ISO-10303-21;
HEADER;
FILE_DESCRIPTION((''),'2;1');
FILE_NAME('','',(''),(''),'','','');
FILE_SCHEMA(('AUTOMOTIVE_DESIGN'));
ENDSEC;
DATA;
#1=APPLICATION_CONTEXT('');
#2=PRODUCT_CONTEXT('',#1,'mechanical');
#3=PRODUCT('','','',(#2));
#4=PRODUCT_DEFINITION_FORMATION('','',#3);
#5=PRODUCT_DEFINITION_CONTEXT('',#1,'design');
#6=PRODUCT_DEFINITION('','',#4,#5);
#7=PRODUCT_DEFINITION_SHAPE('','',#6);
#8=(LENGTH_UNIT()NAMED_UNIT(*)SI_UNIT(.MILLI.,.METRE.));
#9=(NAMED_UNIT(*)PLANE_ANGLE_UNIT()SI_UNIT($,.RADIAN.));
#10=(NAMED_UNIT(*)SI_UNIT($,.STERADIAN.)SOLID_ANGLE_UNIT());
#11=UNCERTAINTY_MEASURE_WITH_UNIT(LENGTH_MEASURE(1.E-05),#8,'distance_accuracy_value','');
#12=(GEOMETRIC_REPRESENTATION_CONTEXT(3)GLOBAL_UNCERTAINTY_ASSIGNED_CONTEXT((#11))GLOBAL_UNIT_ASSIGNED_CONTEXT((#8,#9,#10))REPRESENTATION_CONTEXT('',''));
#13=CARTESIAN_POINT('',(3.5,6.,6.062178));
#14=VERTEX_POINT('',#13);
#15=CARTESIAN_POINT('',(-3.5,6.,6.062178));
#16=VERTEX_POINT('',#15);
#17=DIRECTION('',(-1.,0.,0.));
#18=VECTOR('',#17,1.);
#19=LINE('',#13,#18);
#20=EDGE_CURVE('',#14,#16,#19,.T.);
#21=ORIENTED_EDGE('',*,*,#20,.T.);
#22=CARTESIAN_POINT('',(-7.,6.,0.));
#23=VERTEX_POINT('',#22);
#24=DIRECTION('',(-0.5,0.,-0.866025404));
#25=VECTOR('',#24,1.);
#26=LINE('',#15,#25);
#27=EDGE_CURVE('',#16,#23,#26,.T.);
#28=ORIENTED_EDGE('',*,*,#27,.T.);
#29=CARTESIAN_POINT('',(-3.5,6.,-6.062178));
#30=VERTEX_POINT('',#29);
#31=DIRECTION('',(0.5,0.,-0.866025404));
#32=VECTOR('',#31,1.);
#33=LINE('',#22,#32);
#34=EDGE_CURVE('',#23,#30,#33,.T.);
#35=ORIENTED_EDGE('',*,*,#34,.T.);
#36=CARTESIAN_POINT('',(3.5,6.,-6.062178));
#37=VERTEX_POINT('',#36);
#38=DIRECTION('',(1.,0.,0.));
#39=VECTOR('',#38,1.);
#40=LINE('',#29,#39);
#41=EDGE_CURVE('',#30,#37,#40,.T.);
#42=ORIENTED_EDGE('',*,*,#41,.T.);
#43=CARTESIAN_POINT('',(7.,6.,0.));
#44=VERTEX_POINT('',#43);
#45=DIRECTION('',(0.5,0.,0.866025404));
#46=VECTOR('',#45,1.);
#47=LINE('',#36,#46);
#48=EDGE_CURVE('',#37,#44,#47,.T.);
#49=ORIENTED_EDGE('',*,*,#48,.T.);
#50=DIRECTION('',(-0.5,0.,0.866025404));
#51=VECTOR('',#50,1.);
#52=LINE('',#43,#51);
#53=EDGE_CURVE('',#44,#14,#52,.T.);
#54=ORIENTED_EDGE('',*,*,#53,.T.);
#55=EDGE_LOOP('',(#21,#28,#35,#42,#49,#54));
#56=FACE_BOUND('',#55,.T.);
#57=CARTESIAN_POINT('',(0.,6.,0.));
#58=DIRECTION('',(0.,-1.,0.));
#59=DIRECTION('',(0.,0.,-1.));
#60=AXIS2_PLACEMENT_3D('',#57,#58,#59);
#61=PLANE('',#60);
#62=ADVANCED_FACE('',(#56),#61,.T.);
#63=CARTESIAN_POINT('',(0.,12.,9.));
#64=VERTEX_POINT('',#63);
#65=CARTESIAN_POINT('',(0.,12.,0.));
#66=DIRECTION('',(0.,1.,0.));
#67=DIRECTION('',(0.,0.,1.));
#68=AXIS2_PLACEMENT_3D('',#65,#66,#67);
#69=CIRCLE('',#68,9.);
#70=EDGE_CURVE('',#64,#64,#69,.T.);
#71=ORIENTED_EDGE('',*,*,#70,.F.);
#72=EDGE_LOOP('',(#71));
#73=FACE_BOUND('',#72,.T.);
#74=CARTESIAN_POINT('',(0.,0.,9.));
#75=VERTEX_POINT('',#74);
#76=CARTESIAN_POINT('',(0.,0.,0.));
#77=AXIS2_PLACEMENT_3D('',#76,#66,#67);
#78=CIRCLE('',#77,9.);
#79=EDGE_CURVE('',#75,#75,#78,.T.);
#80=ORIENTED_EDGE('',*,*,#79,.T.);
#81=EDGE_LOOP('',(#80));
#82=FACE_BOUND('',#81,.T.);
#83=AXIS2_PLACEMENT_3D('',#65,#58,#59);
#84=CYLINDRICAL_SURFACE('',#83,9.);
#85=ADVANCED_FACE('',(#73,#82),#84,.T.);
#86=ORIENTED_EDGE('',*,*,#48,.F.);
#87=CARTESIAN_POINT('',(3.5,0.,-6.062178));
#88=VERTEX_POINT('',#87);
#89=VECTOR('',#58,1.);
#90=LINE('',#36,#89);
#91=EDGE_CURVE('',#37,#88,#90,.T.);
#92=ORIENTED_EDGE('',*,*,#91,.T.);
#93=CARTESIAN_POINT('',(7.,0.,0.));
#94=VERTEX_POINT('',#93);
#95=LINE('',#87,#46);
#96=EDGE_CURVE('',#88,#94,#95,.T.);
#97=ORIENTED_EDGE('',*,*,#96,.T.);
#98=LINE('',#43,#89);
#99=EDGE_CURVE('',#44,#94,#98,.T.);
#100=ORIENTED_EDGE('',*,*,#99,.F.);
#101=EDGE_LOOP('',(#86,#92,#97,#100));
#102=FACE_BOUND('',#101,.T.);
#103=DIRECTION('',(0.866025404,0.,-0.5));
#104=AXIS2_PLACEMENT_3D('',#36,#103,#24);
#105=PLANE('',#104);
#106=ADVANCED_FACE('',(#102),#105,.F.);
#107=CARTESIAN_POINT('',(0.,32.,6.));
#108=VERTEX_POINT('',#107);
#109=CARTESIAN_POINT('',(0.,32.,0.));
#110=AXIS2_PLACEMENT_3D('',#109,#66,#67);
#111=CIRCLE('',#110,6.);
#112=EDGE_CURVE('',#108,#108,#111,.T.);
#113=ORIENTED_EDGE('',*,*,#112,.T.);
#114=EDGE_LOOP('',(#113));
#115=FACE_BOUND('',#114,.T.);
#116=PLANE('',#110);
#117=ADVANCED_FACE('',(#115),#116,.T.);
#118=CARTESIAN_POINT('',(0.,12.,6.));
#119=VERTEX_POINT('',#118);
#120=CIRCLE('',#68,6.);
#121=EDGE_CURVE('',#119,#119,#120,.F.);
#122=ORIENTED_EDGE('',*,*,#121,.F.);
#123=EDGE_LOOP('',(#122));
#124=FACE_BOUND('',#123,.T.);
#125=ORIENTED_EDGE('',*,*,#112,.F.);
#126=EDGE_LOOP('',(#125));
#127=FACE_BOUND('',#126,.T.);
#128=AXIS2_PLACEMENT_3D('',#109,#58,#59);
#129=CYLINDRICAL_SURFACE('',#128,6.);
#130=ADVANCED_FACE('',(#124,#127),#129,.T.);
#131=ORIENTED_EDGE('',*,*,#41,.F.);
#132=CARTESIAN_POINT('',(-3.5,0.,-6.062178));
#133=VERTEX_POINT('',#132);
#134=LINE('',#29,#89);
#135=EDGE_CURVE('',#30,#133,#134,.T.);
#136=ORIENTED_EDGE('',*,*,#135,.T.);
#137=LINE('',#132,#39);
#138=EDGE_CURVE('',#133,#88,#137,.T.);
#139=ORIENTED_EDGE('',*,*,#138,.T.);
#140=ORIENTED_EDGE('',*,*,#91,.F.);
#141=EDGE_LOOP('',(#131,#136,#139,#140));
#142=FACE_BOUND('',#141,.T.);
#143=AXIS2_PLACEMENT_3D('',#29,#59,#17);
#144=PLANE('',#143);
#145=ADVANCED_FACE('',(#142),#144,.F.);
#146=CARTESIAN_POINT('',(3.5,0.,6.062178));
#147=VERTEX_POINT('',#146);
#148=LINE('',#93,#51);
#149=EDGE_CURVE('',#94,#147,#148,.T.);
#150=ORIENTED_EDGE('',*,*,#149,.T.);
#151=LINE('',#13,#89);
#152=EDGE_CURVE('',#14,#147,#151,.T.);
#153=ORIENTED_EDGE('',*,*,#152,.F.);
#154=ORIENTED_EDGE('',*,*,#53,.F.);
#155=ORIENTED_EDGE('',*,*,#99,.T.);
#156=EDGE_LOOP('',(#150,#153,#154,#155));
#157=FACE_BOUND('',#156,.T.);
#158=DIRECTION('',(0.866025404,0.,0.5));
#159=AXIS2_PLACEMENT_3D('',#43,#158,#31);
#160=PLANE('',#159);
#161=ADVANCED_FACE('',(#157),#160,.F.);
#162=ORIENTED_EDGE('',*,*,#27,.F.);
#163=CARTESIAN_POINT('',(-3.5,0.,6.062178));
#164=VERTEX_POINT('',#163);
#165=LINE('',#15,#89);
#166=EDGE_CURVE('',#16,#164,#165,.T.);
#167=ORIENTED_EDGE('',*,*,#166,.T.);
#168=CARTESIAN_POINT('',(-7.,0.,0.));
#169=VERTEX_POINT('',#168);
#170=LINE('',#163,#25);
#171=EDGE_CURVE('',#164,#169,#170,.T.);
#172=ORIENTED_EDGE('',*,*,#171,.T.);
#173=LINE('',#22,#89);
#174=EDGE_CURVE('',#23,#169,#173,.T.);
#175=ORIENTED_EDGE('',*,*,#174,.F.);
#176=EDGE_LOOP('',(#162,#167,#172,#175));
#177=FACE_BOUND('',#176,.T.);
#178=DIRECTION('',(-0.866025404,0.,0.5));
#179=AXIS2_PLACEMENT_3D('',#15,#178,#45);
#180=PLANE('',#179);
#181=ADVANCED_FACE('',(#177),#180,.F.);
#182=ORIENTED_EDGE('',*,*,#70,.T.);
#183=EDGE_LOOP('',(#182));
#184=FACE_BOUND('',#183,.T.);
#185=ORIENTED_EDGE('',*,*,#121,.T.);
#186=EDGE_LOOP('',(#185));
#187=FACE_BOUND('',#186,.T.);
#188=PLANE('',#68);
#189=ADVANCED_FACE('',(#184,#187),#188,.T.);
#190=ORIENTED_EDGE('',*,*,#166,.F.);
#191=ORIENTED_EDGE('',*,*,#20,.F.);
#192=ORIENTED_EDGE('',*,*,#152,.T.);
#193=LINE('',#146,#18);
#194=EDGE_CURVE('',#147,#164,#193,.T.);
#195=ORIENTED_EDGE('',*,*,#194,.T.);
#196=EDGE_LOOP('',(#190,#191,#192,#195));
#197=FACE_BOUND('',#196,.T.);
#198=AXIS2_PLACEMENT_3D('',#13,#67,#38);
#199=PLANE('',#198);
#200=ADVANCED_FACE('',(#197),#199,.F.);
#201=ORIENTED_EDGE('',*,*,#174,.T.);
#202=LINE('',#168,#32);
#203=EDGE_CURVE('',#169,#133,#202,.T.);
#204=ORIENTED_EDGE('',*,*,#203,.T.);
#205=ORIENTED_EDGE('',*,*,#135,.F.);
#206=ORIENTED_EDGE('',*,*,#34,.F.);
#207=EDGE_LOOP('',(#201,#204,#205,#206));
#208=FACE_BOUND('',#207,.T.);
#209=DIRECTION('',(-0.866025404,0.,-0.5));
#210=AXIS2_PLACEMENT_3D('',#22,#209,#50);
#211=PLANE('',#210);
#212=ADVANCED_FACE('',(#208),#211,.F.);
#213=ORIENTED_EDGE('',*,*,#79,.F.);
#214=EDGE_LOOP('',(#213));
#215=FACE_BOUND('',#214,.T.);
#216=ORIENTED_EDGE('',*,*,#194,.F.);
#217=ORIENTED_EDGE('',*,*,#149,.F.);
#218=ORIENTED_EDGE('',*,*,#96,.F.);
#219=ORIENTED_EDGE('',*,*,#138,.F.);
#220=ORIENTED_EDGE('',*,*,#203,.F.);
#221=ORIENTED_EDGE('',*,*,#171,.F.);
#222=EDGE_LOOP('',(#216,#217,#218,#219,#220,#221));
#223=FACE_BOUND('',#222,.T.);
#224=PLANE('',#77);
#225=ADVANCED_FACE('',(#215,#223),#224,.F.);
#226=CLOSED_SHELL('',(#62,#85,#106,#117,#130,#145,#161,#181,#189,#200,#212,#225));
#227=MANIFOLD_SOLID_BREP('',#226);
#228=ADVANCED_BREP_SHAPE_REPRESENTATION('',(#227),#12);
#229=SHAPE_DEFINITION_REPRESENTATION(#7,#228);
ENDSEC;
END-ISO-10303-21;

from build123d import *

# Parameters (mm, degrees)
SKETCH1_R           = 9
BOSS_EXTRUDE1_DEPTH = 12
SKETCH1_3_R         = 6
BOSS_EXTRUDE2_DEPTH = 32
CUT_EXTRUDE1_DEPTH  = 6


with BuildPart() as part:
    # Sketch1 → Boss-Extrude1 (new body)
    with BuildSketch(Plane(origin=(0, 0, 0), x_dir=(1, 0, 0), z_dir=(0, 1, 0))):
        Circle(SKETCH1_R)
    extrude(amount=BOSS_EXTRUDE1_DEPTH)

    # Sketch1<3> → Boss-Extrude2 (add)
    with BuildSketch(Plane(origin=(0, 0, 0), x_dir=(1, 0, 0), z_dir=(0, 1, 0))):
        Circle(SKETCH1_3_R)
    extrude(amount=BOSS_EXTRUDE2_DEPTH)

    # Sketch2 → Cut-Extrude1 (cut)
    with BuildSketch(Plane.XZ):
        Polygon((-3.5, -6.062177826), (3.5, -6.062177826), (7, 0), (3.5, 6.062177826), (-3.5, 6.062177826), (-7, 0), align=None)
    extrude(amount=-CUT_EXTRUDE1_DEPTH, mode=Mode.SUBTRACT)


solid = part.part
